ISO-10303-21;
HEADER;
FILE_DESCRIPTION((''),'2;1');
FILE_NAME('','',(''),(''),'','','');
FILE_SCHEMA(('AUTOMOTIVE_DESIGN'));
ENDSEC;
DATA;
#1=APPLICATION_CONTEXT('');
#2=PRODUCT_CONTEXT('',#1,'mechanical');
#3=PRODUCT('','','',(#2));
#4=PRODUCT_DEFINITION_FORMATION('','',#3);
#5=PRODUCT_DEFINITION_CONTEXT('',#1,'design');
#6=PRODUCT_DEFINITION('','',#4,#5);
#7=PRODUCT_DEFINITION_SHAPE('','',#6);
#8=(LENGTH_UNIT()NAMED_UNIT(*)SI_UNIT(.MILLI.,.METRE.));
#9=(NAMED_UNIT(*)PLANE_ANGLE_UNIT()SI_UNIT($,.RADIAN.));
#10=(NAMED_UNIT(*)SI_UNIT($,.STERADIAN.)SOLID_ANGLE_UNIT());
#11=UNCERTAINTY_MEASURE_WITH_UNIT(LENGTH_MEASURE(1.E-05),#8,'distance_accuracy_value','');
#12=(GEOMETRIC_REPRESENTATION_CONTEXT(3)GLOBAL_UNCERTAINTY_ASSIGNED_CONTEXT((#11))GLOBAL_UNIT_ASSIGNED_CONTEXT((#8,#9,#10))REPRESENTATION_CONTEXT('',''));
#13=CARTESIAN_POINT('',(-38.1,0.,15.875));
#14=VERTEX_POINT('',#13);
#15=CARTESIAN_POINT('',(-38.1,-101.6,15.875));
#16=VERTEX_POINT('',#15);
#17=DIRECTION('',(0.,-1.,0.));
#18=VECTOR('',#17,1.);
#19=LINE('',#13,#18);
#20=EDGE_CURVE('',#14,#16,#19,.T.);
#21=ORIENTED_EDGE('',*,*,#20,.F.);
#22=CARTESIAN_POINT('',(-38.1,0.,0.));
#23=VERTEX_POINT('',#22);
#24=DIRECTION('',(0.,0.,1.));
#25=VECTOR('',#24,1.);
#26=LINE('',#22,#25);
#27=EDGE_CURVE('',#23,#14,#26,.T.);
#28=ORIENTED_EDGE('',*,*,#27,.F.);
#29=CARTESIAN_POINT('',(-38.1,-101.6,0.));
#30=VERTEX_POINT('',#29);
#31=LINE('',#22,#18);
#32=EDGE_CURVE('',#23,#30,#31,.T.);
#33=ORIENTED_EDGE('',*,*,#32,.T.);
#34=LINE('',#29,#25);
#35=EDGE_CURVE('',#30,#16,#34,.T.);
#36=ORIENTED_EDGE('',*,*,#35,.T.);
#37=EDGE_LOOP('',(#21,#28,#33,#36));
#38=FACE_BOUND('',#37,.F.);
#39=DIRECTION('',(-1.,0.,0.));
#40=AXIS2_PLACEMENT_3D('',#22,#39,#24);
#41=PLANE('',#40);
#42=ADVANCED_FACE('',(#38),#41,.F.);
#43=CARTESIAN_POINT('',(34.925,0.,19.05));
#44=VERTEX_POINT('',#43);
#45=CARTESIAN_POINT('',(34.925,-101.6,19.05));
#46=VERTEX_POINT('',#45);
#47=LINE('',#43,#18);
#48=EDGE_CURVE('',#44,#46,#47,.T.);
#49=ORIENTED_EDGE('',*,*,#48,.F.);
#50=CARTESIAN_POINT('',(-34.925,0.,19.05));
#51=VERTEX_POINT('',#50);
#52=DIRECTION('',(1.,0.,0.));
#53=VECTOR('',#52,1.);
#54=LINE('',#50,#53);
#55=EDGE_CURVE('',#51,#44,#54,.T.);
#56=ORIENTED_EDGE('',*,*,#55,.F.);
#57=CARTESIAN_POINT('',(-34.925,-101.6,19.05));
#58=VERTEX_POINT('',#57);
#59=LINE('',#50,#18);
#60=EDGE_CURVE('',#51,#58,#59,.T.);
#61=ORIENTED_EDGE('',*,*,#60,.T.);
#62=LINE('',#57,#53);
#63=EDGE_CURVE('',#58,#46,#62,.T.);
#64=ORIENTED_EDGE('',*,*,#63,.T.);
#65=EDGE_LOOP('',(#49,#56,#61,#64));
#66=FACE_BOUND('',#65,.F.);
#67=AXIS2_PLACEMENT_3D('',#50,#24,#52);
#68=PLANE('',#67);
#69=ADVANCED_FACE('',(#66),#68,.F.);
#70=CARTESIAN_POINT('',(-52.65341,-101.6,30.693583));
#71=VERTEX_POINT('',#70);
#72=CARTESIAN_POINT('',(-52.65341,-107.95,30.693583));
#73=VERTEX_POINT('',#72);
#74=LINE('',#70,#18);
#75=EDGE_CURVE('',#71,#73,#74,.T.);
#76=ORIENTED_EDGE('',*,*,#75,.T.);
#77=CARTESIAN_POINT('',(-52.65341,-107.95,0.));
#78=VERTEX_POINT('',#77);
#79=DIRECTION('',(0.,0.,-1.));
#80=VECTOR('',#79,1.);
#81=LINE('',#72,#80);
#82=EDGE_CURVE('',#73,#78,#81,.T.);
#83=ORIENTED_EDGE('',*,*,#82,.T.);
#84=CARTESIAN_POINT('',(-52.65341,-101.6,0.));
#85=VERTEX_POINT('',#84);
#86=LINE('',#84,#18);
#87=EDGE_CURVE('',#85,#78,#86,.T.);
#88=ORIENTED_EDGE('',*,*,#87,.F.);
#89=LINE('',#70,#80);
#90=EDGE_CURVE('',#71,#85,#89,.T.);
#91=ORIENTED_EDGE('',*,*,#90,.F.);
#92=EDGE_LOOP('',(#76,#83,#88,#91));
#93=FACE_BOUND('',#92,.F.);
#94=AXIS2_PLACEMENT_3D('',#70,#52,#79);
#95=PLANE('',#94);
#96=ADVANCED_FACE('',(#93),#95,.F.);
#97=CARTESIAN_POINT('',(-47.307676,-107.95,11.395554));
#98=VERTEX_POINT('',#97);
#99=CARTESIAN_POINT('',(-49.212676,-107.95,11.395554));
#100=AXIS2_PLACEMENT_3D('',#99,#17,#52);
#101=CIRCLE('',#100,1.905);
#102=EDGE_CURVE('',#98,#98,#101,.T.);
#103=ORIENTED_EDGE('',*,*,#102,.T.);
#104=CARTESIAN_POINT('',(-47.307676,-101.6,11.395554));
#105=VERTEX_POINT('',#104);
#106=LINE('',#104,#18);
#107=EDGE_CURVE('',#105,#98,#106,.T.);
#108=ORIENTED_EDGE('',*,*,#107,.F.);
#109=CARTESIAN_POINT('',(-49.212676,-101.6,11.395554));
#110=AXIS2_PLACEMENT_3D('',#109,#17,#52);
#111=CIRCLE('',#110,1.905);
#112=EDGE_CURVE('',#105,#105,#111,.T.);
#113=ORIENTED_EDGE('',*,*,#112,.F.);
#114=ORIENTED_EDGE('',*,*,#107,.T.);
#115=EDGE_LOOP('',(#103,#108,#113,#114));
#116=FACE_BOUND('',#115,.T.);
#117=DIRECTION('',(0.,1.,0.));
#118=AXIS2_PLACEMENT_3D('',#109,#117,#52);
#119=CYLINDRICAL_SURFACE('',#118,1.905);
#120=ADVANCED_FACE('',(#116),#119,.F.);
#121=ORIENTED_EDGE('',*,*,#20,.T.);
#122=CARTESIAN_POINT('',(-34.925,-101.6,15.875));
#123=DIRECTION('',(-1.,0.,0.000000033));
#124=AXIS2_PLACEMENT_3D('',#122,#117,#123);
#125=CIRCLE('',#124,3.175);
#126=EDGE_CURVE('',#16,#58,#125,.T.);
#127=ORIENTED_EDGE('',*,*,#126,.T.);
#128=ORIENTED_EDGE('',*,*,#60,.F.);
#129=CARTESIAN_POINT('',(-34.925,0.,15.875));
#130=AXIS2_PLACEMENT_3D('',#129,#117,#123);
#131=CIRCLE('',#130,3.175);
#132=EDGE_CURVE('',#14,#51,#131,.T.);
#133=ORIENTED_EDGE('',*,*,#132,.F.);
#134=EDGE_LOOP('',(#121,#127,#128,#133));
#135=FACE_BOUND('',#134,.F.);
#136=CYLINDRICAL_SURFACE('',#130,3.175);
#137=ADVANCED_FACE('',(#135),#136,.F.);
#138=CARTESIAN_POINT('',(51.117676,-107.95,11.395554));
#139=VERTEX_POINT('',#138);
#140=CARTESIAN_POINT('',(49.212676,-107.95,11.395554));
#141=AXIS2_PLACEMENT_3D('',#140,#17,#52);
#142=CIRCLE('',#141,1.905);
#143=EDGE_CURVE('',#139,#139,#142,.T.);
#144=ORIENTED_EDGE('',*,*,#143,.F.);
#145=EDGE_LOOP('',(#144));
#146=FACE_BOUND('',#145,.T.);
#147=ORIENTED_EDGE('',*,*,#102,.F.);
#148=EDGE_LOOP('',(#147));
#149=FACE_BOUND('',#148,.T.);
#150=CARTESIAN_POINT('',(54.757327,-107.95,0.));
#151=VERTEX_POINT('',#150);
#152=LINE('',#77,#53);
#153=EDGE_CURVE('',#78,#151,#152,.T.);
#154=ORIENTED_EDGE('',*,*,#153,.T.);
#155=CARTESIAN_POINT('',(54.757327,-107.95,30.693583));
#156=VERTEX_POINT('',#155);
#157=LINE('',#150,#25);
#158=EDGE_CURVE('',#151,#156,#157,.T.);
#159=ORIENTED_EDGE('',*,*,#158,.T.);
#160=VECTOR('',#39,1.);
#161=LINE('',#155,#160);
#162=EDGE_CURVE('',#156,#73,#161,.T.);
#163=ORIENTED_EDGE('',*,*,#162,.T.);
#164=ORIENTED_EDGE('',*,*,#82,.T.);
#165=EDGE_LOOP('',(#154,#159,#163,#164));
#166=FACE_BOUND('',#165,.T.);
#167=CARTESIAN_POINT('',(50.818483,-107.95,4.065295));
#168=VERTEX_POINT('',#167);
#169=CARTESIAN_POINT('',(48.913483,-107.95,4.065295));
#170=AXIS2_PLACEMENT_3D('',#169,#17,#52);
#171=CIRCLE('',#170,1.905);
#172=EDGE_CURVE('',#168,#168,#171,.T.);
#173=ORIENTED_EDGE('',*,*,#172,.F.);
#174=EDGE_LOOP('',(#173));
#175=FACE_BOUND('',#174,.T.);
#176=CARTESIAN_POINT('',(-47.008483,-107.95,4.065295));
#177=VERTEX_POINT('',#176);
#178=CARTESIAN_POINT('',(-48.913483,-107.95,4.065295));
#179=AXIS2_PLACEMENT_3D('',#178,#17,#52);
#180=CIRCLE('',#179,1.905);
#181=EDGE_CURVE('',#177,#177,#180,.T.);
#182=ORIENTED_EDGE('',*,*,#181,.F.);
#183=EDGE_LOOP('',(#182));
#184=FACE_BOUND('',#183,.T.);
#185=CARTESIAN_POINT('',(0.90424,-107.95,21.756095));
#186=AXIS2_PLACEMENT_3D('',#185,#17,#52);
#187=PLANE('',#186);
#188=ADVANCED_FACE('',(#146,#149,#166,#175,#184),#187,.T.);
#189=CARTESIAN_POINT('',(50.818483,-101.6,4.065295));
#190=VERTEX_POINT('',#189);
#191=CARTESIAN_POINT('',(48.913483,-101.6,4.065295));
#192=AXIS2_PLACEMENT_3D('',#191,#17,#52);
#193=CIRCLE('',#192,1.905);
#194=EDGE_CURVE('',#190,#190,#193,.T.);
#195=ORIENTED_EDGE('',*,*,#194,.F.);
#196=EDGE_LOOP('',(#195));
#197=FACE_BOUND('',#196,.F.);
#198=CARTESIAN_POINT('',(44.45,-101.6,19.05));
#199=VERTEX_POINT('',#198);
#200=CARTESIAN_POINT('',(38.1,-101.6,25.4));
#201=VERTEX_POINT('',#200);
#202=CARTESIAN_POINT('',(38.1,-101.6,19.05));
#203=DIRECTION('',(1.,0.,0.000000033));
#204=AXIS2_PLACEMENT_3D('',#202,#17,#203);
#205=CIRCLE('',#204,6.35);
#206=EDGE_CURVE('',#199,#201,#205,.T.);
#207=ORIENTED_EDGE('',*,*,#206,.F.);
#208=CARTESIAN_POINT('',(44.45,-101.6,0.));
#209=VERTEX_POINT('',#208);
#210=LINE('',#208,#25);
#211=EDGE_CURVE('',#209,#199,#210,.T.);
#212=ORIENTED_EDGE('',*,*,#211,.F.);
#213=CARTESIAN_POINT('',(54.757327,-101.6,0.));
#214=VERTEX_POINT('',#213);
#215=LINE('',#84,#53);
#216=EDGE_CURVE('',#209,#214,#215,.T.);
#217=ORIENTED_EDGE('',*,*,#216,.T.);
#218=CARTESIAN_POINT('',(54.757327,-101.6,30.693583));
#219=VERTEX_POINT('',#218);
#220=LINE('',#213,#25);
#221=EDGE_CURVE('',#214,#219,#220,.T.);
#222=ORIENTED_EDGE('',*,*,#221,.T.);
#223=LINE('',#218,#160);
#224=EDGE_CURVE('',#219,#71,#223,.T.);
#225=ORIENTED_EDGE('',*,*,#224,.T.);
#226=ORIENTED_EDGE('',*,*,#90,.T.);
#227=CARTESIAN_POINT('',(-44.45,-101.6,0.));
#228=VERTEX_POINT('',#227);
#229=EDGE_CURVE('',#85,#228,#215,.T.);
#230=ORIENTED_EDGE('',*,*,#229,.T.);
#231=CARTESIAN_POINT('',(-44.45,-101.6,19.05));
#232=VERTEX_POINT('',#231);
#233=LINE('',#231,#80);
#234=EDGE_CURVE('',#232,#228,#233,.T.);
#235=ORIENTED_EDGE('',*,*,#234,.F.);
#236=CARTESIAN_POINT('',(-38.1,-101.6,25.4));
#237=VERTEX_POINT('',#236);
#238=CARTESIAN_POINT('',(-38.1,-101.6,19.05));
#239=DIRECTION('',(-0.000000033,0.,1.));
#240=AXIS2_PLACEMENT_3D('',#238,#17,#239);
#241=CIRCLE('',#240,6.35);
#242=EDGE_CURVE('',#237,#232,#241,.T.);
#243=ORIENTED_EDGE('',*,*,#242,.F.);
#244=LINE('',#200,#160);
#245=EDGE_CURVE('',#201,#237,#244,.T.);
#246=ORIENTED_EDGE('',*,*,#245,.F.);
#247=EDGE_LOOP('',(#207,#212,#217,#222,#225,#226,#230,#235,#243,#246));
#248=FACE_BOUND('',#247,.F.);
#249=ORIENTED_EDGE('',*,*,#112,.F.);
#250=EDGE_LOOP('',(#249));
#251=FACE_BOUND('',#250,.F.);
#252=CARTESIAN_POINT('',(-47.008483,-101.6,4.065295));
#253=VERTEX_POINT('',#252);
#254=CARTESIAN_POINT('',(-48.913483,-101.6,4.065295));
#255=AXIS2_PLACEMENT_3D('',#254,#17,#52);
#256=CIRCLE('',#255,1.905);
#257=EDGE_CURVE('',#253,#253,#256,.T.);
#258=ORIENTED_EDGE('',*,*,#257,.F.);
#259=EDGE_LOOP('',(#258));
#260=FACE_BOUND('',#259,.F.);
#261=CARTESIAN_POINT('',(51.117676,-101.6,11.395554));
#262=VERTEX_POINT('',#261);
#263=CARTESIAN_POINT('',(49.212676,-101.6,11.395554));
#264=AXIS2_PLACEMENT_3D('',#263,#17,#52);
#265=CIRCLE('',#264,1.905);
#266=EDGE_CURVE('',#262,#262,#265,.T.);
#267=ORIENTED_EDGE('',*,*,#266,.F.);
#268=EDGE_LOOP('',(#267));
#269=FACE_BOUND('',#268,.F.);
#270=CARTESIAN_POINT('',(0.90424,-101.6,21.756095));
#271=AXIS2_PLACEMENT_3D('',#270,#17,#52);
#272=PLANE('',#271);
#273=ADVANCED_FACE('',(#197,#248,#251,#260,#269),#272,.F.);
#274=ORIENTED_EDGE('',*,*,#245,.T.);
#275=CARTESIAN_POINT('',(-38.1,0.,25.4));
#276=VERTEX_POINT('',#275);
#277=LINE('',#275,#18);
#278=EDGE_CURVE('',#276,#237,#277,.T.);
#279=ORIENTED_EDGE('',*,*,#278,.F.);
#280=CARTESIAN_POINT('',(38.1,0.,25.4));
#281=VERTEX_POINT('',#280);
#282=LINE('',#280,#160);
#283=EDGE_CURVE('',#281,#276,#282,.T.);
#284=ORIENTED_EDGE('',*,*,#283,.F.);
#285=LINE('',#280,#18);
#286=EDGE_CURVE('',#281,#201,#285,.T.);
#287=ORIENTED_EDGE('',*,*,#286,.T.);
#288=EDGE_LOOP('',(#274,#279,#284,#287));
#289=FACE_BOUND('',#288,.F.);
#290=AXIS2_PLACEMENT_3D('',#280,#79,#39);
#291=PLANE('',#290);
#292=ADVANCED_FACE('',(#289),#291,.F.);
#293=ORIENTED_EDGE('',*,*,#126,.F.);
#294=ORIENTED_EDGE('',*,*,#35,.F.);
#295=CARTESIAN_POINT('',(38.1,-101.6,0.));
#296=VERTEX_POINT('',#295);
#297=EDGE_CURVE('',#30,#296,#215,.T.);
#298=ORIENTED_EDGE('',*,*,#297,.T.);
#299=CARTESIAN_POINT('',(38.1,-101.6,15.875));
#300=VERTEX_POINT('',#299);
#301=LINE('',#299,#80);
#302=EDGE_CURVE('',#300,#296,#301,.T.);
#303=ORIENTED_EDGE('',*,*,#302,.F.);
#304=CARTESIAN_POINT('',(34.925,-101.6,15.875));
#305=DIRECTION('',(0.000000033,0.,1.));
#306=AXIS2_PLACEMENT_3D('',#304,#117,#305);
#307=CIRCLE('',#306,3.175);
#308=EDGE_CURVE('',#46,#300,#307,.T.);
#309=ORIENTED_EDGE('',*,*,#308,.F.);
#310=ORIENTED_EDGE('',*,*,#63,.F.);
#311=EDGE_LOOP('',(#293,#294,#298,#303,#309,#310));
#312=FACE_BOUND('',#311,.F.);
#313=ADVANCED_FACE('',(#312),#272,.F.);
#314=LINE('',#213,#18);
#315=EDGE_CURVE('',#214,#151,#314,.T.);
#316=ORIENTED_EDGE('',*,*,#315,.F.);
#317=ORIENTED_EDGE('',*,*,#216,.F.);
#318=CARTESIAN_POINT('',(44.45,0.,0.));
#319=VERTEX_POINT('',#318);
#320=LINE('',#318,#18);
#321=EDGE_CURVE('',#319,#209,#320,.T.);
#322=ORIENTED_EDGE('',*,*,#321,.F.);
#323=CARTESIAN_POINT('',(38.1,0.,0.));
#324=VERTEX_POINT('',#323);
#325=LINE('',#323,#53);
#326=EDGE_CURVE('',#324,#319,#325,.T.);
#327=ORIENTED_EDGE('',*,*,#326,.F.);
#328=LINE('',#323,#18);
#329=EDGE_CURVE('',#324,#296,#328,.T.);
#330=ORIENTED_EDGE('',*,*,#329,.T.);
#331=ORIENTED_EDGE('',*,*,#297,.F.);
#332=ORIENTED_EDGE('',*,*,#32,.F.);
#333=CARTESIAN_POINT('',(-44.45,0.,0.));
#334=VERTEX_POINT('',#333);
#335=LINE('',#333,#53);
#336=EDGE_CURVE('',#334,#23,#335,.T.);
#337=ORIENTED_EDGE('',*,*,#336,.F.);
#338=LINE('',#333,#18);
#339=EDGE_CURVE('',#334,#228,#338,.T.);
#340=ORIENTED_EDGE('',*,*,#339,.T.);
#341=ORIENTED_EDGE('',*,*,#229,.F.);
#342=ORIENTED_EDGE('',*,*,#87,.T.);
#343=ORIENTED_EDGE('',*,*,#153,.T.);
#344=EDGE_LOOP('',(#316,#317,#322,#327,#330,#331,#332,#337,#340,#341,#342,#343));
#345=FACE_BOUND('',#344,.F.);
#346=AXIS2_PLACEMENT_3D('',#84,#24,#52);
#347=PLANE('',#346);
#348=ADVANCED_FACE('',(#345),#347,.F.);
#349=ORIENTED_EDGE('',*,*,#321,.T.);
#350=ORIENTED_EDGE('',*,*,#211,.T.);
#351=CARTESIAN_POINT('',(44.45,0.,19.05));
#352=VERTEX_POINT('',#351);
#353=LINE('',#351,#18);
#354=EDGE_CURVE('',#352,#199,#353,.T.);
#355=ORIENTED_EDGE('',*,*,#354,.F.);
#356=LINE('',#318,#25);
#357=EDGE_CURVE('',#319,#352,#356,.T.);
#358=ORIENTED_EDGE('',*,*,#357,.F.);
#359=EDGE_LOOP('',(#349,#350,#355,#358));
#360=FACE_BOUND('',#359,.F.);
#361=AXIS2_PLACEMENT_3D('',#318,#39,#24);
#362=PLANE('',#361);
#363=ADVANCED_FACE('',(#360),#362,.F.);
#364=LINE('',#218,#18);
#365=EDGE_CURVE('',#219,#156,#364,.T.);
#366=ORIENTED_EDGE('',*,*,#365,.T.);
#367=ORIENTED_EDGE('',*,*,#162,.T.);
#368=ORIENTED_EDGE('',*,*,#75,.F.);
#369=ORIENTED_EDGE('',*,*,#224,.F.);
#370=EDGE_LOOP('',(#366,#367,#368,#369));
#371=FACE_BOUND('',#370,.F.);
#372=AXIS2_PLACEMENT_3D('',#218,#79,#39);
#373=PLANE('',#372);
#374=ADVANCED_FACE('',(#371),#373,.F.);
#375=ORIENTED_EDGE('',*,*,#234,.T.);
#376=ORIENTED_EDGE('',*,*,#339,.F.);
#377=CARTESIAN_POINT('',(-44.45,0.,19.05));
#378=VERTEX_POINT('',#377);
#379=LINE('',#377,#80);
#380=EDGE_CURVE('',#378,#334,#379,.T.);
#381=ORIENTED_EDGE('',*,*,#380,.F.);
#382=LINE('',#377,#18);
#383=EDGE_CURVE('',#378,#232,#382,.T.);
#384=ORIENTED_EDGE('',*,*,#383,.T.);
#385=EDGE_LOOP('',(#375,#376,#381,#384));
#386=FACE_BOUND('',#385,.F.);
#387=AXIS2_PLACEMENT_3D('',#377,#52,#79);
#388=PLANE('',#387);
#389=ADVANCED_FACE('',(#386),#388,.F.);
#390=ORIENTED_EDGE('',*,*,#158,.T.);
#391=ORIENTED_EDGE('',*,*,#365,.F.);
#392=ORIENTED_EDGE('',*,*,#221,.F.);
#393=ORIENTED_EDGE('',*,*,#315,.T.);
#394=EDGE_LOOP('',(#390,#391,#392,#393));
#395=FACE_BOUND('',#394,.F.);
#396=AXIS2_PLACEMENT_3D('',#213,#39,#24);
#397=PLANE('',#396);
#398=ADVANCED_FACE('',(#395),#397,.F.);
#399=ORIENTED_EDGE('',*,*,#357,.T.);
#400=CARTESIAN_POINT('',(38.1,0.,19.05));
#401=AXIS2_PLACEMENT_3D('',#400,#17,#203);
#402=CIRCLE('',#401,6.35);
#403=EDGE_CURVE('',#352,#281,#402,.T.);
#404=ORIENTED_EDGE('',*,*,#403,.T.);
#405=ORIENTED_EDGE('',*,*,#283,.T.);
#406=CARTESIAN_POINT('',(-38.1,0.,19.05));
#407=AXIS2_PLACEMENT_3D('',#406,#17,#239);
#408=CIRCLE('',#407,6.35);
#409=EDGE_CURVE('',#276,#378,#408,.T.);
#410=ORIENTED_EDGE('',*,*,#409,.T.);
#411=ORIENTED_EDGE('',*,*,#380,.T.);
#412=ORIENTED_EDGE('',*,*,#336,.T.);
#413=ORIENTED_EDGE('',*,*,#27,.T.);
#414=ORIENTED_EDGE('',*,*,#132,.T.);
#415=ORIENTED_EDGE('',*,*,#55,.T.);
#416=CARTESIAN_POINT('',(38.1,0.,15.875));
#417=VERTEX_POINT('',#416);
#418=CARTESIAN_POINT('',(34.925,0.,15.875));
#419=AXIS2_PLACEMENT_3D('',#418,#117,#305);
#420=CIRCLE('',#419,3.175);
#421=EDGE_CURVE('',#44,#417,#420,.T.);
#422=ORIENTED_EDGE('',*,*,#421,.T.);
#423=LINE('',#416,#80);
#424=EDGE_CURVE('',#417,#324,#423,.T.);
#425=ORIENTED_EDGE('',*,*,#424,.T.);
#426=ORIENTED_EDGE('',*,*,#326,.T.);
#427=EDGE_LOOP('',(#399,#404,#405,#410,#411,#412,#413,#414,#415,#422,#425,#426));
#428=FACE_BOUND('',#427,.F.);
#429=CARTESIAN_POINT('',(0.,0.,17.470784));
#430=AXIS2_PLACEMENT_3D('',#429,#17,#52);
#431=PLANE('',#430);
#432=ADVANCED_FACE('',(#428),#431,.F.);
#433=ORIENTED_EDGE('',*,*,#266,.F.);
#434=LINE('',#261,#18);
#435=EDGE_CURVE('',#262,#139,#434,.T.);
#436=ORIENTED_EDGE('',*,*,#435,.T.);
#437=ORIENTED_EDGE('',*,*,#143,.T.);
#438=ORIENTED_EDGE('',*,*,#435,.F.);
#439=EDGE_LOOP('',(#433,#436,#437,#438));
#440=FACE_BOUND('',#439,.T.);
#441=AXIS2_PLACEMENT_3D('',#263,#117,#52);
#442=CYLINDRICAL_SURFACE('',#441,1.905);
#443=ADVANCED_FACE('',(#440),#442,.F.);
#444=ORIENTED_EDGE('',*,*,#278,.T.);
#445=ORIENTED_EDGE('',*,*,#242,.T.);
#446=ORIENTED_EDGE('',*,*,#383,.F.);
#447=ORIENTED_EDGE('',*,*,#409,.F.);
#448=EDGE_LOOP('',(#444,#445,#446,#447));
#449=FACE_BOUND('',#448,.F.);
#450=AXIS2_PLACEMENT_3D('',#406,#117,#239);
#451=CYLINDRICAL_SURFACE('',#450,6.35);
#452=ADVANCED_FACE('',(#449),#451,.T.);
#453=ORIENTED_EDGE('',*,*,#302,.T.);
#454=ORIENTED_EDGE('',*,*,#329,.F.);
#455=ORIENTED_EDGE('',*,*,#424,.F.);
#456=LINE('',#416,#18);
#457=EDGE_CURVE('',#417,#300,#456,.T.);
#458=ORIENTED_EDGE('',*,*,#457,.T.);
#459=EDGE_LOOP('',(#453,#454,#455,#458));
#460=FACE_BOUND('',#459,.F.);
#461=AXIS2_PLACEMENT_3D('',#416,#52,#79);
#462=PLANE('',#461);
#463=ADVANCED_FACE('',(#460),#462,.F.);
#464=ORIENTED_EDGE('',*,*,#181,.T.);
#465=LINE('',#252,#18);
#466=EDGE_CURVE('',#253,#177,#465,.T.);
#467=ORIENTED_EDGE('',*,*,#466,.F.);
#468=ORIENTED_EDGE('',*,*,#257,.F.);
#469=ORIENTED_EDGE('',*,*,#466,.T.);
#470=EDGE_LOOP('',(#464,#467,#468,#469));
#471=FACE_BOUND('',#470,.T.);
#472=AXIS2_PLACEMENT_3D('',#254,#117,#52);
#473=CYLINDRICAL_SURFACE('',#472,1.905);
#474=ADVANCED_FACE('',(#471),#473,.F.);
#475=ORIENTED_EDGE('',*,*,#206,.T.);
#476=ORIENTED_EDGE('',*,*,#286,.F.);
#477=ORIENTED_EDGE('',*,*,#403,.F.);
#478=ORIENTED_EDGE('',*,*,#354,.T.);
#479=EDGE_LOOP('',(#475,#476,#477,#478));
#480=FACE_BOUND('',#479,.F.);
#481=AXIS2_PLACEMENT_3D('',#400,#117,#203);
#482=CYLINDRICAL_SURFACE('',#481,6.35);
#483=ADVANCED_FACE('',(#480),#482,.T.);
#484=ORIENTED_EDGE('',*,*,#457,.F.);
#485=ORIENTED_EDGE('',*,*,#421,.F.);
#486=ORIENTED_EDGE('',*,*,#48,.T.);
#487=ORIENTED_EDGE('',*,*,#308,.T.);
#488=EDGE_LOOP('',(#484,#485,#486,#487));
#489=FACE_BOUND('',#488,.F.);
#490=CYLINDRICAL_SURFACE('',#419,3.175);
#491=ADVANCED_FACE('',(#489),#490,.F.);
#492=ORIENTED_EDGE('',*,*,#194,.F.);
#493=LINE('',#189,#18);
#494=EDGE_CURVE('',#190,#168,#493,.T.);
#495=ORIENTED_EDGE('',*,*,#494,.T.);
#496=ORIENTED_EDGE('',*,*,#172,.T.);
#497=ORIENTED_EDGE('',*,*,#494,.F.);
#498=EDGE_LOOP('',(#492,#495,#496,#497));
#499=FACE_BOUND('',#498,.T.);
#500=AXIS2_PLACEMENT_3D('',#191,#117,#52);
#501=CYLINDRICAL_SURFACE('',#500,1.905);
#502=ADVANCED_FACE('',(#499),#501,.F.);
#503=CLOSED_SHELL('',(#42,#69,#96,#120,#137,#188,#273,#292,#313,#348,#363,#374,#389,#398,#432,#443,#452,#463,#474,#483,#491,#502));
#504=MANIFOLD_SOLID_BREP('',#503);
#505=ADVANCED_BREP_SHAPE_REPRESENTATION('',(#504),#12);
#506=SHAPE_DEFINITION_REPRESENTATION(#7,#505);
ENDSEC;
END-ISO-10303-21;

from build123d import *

# Parameters (mm, degrees)
F1_DEPTH = 101.6
F2_R     = 1.905
F3_DEPTH = 6.35


with BuildPart() as f1:
    # F0 (on Front) → F1 (new body)
    with BuildSketch(Plane.XZ):
        with BuildLine():
            Line((-34.925, 19.05), (0, 19.05))
            Line((0, 19.05), (34.925, 19.05))
            ThreePointArc((34.925, 19.05), (37.170064, 18.120064), (38.1, 15.875))
            Line((38.1, 15.875), (38.1, 0))
            Line((38.1, 0), (44.45, 0))
            Line((44.45, 0), (44.45, 19.05))
            ThreePointArc((44.45, 19.05), (42.590128, 23.540128), (38.1, 25.4))
            Line((38.1, 25.4), (0, 25.4))
            Line((0, 25.4), (-38.1, 25.4))
            ThreePointArc((-38.1, 25.4), (-42.590128, 23.540128), (-44.45, 19.05))
            Line((-44.45, 19.05), (-44.45, 0))
            Line((-44.45, 0), (-38.1, 0))
            Line((-38.1, 0), (-38.1, 15.875))
            ThreePointArc((-38.1, 15.875), (-37.170064, 18.120064), (-34.925, 19.05))
        make_face()
    extrude(amount=F1_DEPTH)

    # F2 (on face) → F3 (join)
    with BuildSketch(Plane.XZ.offset(101.6)):
        with BuildLine():
            Line((-52.65341, 0), (-44.45, 0))
            Line((-44.45, 0), (-44.45, 19.05))
            ThreePointArc((-44.45, 19.05), (-42.590128, 23.540128), (-38.1, 25.4))
            Line((-38.1, 25.4), (38.1, 25.4))
            ThreePointArc((38.1, 25.4), (42.590128, 23.540128), (44.45, 19.05))
            Line((44.45, 19.05), (44.45, 0))
            Line((44.45, 0), (54.757327, 0))
            Line((54.757327, 0), (54.757327, 30.693583))
            Line((54.757327, 30.693583), (-52.65341, 30.693583))
            Line((-52.65341, 30.693583), (-52.65341, 0))
        make_face()
        with Locations((-48.913483, 4.065295)):
            Circle(F2_R, mode=Mode.SUBTRACT)
        with Locations((-49.212676, 11.395554)):
            Circle(F2_R, mode=Mode.SUBTRACT)
        with Locations((48.913483, 4.065295)):
            Circle(F2_R, mode=Mode.SUBTRACT)
        with Locations((49.212676, 11.395554)):
            Circle(F2_R, mode=Mode.SUBTRACT)
        with BuildLine():
            Line((-44.45, 0), (-38.1, 0))
            Line((-38.1, 0), (-38.1, 15.875))
            ThreePointArc((-38.1, 15.875), (-37.170064, 18.120064), (-34.925, 19.05))
            Line((-34.925, 19.05), (34.925, 19.05))
            ThreePointArc((34.925, 19.05), (37.170064, 18.120064), (38.1, 15.875))
            Line((38.1, 15.875), (38.1, 0))
            Line((38.1, 0), (44.45, 0))
            Line((44.45, 0), (44.45, 19.05))
            ThreePointArc((44.45, 19.05), (42.590128, 23.540128), (38.1, 25.4))
            Line((38.1, 25.4), (-38.1, 25.4))
            ThreePointArc((-38.1, 25.4), (-42.590128, 23.540128), (-44.45, 19.05))
            Line((-44.45, 19.05), (-44.45, 0))
        make_face()
        with BuildLine():
            Line((-38.1, 0), (0, 0))
            Line((0, 0), (38.1, 0))
            Line((38.1, 0), (38.1, 15.875))
            ThreePointArc((38.1, 15.875), (37.170064, 18.120064), (34.925, 19.05))
            Line((34.925, 19.05), (-34.925, 19.05))
            ThreePointArc((-34.925, 19.05), (-37.170064, 18.120064), (-38.1, 15.875))
            Line((-38.1, 15.875), (-38.1, 0))
        make_face()
    extrude(amount=F3_DEPTH)


solid = f1.part
